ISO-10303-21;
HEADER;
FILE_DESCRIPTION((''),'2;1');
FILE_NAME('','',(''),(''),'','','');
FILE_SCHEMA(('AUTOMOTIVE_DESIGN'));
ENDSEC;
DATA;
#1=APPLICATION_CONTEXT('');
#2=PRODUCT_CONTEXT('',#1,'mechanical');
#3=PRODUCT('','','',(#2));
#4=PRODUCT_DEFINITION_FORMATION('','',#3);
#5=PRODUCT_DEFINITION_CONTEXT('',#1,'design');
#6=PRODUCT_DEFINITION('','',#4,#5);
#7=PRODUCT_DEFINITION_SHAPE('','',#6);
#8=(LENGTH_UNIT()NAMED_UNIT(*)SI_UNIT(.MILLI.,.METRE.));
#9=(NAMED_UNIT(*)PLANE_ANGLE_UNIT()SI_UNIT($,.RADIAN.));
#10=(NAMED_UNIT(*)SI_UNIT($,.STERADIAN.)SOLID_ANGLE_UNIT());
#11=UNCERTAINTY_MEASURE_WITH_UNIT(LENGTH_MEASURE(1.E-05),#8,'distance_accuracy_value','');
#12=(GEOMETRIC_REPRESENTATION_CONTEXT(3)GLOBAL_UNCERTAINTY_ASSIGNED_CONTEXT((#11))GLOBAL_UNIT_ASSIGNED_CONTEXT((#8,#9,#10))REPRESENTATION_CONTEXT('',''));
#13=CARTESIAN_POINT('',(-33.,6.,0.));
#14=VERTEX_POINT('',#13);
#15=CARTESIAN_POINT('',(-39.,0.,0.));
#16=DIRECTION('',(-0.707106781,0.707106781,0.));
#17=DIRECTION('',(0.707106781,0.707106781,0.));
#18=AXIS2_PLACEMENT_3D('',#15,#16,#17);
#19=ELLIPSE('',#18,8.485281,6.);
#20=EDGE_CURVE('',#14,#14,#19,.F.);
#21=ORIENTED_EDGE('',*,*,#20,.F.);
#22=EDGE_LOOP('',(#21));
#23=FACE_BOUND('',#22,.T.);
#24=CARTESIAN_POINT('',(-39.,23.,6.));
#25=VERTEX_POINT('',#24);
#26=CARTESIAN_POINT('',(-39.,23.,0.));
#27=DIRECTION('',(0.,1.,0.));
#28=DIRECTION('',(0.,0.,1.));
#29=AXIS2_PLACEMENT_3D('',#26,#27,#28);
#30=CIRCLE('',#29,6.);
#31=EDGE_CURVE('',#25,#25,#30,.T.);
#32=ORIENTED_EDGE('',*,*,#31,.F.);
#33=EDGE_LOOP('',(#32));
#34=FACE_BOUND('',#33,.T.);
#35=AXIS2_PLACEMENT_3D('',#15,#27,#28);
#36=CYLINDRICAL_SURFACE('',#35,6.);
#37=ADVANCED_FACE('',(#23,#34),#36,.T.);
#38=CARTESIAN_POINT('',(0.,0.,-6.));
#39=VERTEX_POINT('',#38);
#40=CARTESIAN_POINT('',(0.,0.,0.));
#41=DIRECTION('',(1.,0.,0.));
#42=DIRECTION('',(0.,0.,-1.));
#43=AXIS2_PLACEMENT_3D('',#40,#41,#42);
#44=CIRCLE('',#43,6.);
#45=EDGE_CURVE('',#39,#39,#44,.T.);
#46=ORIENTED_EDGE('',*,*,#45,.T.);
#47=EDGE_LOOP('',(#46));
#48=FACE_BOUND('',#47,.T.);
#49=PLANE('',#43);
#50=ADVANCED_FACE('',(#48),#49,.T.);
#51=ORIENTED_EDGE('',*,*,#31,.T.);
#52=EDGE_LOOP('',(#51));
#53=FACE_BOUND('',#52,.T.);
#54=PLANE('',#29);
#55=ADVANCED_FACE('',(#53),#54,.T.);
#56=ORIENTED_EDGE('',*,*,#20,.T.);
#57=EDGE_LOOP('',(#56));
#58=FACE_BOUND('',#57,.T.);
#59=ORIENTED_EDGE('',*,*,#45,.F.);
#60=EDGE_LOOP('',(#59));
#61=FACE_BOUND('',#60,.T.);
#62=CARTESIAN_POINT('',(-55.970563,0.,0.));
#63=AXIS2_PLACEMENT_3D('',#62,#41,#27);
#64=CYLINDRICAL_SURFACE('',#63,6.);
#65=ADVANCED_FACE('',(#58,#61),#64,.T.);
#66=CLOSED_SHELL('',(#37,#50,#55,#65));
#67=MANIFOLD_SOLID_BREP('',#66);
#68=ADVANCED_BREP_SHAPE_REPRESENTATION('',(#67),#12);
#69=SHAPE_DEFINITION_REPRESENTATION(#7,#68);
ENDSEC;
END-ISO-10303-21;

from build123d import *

# Parameters (mm, degrees)
SKETCH1_R = 6


with BuildPart() as part:
    # Sweep1: sweep along a path in Sketch2
    with BuildLine(Plane.XY) as sweep1_path:
        Line((0, 0), (-39, 0))
        Line((-39, 0), (-39, 23))
    # Sketch1 → Sweep1 (sweep)
    with BuildSketch(Plane(origin=(0, 0, 0), x_dir=(0, 0, -1), z_dir=(1, 0, 0))):
        Circle(SKETCH1_R)
    sweep(path=sweep1_path.line, transition=Transition.RIGHT)


solid = part.part
